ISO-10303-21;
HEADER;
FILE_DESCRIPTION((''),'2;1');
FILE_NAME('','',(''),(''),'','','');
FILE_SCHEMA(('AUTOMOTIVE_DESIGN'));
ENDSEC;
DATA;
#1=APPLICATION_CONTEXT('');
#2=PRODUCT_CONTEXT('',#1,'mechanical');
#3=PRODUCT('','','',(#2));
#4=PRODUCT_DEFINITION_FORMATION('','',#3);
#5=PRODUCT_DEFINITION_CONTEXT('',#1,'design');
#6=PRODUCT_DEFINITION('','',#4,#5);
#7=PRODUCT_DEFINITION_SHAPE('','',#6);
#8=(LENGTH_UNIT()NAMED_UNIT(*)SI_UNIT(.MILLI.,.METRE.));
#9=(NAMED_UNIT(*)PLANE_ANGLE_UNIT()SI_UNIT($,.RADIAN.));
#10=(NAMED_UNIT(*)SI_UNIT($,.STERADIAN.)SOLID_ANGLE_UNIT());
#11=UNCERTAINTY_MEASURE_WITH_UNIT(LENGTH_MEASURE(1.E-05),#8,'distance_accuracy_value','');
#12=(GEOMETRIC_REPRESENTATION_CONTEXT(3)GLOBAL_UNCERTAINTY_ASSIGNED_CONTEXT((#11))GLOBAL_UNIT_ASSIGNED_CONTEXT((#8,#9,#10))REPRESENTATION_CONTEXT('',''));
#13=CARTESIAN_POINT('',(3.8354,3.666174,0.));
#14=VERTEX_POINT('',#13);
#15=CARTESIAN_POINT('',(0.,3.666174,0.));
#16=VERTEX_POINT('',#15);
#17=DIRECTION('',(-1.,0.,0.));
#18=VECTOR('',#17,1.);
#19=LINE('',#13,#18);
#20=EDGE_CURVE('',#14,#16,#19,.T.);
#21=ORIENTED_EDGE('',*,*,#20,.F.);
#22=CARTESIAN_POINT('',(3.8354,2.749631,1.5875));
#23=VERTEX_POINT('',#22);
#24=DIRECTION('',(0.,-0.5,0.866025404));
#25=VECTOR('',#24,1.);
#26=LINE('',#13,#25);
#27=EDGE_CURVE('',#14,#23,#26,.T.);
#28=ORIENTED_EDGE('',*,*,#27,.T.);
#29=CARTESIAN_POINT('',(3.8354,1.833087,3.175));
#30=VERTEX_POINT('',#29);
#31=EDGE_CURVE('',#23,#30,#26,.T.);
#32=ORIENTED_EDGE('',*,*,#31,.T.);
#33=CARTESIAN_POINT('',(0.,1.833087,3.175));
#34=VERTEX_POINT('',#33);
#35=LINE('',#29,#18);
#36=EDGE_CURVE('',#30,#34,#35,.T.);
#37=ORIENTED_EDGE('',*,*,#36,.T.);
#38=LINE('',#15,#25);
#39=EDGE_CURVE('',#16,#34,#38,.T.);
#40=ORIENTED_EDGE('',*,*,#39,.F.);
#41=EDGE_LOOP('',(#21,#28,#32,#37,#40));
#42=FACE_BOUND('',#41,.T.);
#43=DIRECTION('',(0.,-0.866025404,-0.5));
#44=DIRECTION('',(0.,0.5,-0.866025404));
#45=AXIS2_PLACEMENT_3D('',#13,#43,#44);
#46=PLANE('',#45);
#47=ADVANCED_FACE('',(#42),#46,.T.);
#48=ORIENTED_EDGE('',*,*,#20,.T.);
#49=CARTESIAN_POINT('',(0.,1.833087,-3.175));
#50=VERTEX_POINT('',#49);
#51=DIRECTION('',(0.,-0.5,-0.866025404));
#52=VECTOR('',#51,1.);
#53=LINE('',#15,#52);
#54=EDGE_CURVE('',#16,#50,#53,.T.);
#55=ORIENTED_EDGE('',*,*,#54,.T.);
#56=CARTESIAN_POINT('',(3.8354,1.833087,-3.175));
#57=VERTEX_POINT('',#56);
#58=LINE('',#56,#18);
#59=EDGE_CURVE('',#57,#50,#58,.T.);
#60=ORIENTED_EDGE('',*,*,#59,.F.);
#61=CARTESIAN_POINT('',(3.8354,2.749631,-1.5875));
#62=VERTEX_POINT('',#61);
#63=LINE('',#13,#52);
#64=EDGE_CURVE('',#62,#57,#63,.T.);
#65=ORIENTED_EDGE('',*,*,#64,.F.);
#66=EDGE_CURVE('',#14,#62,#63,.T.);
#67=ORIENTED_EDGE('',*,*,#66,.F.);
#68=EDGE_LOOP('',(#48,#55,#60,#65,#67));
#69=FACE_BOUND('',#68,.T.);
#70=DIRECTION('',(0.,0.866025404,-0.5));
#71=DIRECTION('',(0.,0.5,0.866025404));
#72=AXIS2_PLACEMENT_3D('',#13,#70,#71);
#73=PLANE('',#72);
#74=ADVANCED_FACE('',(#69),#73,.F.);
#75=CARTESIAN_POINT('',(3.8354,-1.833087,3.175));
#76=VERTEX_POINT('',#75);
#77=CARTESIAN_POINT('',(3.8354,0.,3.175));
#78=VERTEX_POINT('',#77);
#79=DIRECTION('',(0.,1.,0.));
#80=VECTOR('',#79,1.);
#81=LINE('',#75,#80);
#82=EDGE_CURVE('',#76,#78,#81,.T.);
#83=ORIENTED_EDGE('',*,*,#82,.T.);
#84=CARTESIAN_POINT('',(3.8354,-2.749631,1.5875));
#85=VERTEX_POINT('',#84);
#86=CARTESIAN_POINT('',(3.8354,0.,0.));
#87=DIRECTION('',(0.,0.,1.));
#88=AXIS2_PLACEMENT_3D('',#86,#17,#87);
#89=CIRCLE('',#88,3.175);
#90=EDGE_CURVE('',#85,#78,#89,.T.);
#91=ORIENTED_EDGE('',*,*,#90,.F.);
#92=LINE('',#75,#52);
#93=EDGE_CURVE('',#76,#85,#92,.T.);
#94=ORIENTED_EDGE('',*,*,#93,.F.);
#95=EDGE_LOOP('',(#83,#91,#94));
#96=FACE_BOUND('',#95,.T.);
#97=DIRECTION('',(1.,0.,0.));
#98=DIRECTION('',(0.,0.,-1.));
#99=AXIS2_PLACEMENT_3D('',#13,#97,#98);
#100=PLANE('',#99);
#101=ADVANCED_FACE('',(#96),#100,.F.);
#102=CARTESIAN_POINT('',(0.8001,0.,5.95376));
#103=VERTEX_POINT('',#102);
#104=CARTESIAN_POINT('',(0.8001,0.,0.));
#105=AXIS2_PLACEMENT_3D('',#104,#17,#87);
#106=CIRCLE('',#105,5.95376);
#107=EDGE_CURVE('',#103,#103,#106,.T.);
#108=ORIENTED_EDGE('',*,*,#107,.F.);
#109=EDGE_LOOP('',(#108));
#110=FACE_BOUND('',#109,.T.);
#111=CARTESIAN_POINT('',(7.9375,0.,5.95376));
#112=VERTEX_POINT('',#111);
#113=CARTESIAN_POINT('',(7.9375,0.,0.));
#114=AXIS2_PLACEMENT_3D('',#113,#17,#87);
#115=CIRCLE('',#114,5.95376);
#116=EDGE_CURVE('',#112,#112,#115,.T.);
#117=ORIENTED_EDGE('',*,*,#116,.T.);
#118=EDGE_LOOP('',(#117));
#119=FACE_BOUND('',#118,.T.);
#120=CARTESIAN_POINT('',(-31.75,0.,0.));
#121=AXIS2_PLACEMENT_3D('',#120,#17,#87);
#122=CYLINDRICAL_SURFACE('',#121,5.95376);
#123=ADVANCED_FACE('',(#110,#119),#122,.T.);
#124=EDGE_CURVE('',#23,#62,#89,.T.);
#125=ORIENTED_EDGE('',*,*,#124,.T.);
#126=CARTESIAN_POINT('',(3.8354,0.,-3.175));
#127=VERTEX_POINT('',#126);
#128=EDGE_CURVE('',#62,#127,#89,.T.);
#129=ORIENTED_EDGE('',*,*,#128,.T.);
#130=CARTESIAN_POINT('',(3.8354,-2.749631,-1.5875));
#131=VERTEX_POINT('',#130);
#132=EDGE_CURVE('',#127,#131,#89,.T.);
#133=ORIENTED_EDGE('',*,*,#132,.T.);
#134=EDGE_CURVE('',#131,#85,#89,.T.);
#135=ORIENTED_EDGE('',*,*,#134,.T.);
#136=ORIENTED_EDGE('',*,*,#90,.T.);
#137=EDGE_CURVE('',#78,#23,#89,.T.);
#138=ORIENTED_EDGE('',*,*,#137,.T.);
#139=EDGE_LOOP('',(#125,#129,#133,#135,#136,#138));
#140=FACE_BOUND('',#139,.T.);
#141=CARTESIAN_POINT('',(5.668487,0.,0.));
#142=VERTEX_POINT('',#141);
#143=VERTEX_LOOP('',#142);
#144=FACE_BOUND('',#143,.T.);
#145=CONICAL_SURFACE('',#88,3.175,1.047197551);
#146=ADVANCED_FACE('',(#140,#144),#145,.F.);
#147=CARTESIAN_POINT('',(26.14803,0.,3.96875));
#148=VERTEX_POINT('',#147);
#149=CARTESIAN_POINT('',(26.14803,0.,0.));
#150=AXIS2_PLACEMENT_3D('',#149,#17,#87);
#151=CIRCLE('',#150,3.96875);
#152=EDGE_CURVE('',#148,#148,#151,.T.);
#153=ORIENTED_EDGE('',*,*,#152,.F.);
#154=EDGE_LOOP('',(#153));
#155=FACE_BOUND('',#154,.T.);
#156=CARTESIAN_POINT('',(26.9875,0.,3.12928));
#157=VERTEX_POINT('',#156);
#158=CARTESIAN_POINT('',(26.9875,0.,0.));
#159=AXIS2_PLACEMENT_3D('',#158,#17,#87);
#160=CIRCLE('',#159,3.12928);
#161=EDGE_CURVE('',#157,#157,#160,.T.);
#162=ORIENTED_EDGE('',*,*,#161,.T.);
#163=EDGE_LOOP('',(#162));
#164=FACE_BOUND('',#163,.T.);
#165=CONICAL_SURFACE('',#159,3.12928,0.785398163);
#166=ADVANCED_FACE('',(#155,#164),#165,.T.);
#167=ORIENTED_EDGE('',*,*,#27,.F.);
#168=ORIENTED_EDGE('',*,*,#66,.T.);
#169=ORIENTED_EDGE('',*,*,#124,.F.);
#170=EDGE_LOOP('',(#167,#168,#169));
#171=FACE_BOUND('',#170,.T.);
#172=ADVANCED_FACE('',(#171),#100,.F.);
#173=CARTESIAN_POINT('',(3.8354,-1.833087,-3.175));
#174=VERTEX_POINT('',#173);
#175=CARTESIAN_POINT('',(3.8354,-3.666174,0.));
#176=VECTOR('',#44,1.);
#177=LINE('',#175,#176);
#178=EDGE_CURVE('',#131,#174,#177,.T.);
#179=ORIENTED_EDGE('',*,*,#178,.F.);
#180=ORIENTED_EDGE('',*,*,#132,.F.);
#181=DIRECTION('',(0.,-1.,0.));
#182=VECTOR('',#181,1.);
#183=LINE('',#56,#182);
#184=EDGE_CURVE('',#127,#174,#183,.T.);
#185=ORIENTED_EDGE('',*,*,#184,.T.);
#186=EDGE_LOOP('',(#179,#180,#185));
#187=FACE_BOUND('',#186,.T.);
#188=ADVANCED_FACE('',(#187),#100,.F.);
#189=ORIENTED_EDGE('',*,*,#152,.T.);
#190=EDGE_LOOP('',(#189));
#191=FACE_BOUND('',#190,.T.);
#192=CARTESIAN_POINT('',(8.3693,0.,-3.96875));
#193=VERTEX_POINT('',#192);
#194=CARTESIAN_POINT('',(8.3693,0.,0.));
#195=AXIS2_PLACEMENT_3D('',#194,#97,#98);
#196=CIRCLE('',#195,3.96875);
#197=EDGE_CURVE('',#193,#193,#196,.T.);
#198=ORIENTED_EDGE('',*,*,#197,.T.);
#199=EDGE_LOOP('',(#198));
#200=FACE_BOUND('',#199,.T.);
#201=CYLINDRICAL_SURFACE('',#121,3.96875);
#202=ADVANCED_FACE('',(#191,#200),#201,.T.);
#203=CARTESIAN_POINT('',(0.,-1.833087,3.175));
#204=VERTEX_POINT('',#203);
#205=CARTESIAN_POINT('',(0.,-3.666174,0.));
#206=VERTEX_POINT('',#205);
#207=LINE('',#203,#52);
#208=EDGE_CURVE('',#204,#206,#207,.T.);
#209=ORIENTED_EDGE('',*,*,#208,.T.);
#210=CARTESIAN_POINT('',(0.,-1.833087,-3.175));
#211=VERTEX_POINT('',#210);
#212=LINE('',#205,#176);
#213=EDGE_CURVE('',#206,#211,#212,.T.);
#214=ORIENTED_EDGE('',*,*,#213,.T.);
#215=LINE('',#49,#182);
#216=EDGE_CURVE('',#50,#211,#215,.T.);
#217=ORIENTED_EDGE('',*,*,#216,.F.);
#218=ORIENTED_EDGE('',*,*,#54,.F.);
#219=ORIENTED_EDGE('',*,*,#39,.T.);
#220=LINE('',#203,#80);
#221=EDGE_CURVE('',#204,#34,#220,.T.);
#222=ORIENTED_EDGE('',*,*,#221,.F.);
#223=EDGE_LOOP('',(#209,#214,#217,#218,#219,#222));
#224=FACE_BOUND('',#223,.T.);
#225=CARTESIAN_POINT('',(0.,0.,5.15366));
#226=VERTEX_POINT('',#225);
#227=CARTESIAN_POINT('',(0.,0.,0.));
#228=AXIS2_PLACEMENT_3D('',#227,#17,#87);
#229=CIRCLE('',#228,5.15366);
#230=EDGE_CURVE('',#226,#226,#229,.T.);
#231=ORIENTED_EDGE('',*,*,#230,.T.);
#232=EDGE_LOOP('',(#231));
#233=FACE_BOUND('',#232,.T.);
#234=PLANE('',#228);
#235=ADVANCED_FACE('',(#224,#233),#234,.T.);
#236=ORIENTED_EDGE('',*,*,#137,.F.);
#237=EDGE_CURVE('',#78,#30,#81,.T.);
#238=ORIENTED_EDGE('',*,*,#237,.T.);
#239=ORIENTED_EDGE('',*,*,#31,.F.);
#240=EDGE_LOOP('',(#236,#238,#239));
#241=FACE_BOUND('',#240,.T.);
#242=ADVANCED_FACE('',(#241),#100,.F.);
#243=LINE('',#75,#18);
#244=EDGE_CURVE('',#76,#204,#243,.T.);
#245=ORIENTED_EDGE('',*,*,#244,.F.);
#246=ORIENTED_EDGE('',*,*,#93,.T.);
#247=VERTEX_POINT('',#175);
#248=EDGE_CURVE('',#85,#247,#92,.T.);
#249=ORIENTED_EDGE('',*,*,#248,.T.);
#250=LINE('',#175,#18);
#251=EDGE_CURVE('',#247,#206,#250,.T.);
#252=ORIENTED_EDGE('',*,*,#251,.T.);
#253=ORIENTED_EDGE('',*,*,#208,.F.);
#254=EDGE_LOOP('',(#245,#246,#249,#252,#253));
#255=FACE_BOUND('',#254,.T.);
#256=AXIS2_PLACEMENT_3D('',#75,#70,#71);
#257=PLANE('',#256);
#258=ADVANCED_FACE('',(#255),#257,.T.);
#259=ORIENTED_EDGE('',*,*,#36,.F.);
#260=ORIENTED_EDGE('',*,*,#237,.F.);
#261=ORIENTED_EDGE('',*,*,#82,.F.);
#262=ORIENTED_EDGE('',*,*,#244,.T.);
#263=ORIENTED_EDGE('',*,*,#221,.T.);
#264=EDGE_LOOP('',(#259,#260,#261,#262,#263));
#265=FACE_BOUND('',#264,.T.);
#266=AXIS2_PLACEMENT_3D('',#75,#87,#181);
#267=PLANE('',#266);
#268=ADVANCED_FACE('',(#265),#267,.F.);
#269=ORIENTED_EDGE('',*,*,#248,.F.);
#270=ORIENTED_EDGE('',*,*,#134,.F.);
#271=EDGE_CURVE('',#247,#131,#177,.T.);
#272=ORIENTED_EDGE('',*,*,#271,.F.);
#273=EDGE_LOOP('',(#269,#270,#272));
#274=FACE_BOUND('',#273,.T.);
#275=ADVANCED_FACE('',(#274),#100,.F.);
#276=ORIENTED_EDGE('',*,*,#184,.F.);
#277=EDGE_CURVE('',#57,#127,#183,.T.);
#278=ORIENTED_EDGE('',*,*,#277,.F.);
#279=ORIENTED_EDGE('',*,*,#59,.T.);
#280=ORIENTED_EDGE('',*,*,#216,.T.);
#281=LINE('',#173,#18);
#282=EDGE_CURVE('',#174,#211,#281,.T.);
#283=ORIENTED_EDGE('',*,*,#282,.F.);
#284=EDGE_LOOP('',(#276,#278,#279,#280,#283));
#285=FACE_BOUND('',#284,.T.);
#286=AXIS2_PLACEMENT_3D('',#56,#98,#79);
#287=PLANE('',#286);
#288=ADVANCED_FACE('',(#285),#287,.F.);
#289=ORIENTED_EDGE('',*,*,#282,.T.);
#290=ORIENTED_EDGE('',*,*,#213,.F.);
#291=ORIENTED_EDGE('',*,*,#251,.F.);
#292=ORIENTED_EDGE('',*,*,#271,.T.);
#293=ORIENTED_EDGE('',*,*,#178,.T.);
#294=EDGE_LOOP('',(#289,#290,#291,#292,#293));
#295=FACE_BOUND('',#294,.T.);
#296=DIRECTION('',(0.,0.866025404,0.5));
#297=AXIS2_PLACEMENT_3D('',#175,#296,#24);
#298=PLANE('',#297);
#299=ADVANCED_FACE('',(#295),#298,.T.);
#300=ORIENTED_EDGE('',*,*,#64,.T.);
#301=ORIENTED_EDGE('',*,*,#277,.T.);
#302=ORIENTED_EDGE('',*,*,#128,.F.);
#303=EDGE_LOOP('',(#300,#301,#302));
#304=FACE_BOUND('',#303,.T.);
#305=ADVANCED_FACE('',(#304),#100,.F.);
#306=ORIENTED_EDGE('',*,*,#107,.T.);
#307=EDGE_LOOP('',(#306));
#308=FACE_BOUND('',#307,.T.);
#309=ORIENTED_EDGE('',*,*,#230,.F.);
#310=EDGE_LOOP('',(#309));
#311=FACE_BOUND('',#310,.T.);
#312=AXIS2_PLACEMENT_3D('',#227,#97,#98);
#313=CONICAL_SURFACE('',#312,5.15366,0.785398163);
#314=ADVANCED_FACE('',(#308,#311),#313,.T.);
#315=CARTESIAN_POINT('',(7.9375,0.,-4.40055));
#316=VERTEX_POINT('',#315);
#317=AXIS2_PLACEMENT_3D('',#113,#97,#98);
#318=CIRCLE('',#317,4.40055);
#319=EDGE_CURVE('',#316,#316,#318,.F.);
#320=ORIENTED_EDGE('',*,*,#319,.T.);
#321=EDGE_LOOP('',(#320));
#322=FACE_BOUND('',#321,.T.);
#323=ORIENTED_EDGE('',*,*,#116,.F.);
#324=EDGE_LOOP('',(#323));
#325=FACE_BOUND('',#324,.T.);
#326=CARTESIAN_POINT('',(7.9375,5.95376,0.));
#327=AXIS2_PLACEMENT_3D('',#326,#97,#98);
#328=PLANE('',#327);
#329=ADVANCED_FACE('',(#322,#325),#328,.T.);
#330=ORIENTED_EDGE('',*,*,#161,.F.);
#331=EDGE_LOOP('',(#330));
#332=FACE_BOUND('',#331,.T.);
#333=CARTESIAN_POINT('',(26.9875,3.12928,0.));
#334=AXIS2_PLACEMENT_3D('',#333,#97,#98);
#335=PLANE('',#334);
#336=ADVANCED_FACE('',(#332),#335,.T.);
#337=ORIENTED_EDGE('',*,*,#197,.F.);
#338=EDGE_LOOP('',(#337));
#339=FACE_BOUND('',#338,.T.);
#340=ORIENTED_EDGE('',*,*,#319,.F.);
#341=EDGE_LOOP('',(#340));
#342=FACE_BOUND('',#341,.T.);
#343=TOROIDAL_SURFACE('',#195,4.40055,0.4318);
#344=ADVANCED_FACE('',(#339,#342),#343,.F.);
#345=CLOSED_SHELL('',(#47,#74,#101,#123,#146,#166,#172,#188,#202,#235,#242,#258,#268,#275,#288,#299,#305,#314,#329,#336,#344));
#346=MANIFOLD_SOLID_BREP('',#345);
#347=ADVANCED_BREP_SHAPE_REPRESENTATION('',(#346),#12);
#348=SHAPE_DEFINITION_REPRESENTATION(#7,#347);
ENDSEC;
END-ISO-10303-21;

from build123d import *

# Parameters (mm, degrees)
FILLET1_R   = 0.4318
HEX_2_DEPTH = 3.8354


with BuildPart() as part:
    # BodySke → Base-Revolve (revolve)
    with BuildSketch(Plane.XY):
        Polygon((0, 0), (0, 5.15366), (0.8001, 5.95376), (7.9375, 5.95376), (7.9375, 3.96875), (26.14803, 3.96875), (26.9875, 3.12928), (26.9875, 0), align=None)
    revolve(axis=Axis((-31.75, 0, 0), (1, 0, 0)))

    # Fillet1
    fillet1_edges = [part.edges().sort_by_distance(p)[0] for p in [
        (7.9375, -3.96875, 0),
    ]]
    fillet(fillet1_edges, radius=FILLET1_R)

    # Sketch2 → Hex-PreBroach (revolve, cut)
    with BuildSketch(Plane.XY):
        Polygon((0, 3.175), (3.8354, 3.175), (5.668487105, 0), (0, 0), align=None)
    revolve(axis=Axis((0, 0, 0), (1, 0, 0)), mode=Mode.SUBTRACT)

    # Sketch3 → Hex 2 (cut)
    with BuildSketch(Plane(origin=(0, 0, 0), x_dir=(0, 0.5, 0.866025404), z_dir=(-1, 0, 0))):
        Polygon((1.833087105, 3.175), (-1.833087105, 3.175), (-3.666174209, 0), (-1.833087105, -3.175), (1.833087105, -3.175), (3.666174209, 0), align=None)
    extrude(amount=-HEX_2_DEPTH, mode=Mode.SUBTRACT)


solid = part.part
